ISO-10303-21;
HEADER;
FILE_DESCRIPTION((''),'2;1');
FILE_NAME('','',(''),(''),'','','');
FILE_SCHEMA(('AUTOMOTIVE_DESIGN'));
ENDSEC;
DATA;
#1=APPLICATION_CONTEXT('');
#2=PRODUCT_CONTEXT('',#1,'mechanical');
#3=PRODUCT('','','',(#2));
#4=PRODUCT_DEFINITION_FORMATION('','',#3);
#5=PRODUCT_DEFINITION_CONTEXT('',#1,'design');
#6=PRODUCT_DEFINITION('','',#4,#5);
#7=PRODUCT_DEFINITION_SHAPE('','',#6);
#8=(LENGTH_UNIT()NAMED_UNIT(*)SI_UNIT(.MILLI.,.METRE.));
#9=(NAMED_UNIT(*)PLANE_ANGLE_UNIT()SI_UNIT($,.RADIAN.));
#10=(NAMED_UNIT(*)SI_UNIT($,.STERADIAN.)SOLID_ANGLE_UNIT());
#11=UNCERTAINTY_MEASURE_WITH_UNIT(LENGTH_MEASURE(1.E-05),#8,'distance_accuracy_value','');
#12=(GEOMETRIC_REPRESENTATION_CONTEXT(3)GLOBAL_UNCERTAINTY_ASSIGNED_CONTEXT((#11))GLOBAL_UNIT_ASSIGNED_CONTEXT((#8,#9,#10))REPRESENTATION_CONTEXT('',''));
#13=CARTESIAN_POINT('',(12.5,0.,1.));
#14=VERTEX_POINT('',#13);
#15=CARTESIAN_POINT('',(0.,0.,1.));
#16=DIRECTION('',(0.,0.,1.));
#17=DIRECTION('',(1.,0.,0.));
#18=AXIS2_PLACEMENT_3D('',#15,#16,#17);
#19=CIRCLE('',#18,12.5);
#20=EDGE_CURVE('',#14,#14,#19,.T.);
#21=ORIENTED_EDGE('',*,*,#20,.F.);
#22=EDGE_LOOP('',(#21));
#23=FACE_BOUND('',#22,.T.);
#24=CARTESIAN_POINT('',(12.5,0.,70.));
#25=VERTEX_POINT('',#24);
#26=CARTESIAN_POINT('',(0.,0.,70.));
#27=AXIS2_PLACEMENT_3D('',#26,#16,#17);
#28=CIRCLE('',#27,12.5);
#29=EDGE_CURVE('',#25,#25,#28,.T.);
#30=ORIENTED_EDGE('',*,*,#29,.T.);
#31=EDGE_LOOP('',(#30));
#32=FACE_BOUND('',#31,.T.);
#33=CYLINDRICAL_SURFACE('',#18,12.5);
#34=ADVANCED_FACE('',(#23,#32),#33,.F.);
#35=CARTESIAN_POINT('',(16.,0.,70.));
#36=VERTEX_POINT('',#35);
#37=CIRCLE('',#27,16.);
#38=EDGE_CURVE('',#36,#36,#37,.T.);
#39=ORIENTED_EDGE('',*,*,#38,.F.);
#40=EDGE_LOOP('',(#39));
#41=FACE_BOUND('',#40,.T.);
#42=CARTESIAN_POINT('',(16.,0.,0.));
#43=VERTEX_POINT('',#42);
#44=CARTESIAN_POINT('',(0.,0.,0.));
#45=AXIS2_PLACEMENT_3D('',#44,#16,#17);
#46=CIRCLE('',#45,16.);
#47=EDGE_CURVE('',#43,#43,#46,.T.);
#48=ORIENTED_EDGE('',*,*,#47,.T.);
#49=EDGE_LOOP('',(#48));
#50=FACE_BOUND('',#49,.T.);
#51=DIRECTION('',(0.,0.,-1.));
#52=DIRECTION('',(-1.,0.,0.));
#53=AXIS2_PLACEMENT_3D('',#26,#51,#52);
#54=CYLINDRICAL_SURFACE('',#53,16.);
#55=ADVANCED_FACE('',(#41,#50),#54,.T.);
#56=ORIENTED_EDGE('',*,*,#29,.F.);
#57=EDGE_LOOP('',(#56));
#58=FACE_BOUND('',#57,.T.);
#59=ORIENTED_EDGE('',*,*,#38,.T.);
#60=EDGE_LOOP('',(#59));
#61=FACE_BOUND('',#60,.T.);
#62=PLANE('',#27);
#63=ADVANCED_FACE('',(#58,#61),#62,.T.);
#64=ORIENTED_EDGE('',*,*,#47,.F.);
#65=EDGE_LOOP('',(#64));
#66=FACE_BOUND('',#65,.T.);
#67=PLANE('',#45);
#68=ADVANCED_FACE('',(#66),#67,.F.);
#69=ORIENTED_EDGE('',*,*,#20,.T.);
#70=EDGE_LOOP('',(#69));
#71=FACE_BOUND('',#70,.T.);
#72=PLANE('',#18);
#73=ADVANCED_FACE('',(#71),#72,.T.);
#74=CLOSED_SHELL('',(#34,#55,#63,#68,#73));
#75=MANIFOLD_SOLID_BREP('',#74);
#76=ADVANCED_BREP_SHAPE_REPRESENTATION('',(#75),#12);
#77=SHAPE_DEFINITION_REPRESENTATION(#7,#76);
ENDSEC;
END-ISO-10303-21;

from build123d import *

# Parameters (mm, degrees)
CROQUIS1_R              = 16
SALIENTE_EXTRUIR1_DEPTH = 70
CROQUIS2_R              = 12.5
CORTAR_EXTRUIR1_DEPTH   = 69


with BuildPart() as part:
    # Croquis1 → Saliente-Extruir1 (new body)
    with BuildSketch(Plane.XY):
        Circle(CROQUIS1_R)
    extrude(amount=SALIENTE_EXTRUIR1_DEPTH)

    # Croquis2 → Cortar-Extruir1 (cut)
    with BuildSketch(Plane.XY.offset(70)):
        Circle(CROQUIS2_R)
    extrude(amount=-CORTAR_EXTRUIR1_DEPTH, mode=Mode.SUBTRACT)


solid = part.part
